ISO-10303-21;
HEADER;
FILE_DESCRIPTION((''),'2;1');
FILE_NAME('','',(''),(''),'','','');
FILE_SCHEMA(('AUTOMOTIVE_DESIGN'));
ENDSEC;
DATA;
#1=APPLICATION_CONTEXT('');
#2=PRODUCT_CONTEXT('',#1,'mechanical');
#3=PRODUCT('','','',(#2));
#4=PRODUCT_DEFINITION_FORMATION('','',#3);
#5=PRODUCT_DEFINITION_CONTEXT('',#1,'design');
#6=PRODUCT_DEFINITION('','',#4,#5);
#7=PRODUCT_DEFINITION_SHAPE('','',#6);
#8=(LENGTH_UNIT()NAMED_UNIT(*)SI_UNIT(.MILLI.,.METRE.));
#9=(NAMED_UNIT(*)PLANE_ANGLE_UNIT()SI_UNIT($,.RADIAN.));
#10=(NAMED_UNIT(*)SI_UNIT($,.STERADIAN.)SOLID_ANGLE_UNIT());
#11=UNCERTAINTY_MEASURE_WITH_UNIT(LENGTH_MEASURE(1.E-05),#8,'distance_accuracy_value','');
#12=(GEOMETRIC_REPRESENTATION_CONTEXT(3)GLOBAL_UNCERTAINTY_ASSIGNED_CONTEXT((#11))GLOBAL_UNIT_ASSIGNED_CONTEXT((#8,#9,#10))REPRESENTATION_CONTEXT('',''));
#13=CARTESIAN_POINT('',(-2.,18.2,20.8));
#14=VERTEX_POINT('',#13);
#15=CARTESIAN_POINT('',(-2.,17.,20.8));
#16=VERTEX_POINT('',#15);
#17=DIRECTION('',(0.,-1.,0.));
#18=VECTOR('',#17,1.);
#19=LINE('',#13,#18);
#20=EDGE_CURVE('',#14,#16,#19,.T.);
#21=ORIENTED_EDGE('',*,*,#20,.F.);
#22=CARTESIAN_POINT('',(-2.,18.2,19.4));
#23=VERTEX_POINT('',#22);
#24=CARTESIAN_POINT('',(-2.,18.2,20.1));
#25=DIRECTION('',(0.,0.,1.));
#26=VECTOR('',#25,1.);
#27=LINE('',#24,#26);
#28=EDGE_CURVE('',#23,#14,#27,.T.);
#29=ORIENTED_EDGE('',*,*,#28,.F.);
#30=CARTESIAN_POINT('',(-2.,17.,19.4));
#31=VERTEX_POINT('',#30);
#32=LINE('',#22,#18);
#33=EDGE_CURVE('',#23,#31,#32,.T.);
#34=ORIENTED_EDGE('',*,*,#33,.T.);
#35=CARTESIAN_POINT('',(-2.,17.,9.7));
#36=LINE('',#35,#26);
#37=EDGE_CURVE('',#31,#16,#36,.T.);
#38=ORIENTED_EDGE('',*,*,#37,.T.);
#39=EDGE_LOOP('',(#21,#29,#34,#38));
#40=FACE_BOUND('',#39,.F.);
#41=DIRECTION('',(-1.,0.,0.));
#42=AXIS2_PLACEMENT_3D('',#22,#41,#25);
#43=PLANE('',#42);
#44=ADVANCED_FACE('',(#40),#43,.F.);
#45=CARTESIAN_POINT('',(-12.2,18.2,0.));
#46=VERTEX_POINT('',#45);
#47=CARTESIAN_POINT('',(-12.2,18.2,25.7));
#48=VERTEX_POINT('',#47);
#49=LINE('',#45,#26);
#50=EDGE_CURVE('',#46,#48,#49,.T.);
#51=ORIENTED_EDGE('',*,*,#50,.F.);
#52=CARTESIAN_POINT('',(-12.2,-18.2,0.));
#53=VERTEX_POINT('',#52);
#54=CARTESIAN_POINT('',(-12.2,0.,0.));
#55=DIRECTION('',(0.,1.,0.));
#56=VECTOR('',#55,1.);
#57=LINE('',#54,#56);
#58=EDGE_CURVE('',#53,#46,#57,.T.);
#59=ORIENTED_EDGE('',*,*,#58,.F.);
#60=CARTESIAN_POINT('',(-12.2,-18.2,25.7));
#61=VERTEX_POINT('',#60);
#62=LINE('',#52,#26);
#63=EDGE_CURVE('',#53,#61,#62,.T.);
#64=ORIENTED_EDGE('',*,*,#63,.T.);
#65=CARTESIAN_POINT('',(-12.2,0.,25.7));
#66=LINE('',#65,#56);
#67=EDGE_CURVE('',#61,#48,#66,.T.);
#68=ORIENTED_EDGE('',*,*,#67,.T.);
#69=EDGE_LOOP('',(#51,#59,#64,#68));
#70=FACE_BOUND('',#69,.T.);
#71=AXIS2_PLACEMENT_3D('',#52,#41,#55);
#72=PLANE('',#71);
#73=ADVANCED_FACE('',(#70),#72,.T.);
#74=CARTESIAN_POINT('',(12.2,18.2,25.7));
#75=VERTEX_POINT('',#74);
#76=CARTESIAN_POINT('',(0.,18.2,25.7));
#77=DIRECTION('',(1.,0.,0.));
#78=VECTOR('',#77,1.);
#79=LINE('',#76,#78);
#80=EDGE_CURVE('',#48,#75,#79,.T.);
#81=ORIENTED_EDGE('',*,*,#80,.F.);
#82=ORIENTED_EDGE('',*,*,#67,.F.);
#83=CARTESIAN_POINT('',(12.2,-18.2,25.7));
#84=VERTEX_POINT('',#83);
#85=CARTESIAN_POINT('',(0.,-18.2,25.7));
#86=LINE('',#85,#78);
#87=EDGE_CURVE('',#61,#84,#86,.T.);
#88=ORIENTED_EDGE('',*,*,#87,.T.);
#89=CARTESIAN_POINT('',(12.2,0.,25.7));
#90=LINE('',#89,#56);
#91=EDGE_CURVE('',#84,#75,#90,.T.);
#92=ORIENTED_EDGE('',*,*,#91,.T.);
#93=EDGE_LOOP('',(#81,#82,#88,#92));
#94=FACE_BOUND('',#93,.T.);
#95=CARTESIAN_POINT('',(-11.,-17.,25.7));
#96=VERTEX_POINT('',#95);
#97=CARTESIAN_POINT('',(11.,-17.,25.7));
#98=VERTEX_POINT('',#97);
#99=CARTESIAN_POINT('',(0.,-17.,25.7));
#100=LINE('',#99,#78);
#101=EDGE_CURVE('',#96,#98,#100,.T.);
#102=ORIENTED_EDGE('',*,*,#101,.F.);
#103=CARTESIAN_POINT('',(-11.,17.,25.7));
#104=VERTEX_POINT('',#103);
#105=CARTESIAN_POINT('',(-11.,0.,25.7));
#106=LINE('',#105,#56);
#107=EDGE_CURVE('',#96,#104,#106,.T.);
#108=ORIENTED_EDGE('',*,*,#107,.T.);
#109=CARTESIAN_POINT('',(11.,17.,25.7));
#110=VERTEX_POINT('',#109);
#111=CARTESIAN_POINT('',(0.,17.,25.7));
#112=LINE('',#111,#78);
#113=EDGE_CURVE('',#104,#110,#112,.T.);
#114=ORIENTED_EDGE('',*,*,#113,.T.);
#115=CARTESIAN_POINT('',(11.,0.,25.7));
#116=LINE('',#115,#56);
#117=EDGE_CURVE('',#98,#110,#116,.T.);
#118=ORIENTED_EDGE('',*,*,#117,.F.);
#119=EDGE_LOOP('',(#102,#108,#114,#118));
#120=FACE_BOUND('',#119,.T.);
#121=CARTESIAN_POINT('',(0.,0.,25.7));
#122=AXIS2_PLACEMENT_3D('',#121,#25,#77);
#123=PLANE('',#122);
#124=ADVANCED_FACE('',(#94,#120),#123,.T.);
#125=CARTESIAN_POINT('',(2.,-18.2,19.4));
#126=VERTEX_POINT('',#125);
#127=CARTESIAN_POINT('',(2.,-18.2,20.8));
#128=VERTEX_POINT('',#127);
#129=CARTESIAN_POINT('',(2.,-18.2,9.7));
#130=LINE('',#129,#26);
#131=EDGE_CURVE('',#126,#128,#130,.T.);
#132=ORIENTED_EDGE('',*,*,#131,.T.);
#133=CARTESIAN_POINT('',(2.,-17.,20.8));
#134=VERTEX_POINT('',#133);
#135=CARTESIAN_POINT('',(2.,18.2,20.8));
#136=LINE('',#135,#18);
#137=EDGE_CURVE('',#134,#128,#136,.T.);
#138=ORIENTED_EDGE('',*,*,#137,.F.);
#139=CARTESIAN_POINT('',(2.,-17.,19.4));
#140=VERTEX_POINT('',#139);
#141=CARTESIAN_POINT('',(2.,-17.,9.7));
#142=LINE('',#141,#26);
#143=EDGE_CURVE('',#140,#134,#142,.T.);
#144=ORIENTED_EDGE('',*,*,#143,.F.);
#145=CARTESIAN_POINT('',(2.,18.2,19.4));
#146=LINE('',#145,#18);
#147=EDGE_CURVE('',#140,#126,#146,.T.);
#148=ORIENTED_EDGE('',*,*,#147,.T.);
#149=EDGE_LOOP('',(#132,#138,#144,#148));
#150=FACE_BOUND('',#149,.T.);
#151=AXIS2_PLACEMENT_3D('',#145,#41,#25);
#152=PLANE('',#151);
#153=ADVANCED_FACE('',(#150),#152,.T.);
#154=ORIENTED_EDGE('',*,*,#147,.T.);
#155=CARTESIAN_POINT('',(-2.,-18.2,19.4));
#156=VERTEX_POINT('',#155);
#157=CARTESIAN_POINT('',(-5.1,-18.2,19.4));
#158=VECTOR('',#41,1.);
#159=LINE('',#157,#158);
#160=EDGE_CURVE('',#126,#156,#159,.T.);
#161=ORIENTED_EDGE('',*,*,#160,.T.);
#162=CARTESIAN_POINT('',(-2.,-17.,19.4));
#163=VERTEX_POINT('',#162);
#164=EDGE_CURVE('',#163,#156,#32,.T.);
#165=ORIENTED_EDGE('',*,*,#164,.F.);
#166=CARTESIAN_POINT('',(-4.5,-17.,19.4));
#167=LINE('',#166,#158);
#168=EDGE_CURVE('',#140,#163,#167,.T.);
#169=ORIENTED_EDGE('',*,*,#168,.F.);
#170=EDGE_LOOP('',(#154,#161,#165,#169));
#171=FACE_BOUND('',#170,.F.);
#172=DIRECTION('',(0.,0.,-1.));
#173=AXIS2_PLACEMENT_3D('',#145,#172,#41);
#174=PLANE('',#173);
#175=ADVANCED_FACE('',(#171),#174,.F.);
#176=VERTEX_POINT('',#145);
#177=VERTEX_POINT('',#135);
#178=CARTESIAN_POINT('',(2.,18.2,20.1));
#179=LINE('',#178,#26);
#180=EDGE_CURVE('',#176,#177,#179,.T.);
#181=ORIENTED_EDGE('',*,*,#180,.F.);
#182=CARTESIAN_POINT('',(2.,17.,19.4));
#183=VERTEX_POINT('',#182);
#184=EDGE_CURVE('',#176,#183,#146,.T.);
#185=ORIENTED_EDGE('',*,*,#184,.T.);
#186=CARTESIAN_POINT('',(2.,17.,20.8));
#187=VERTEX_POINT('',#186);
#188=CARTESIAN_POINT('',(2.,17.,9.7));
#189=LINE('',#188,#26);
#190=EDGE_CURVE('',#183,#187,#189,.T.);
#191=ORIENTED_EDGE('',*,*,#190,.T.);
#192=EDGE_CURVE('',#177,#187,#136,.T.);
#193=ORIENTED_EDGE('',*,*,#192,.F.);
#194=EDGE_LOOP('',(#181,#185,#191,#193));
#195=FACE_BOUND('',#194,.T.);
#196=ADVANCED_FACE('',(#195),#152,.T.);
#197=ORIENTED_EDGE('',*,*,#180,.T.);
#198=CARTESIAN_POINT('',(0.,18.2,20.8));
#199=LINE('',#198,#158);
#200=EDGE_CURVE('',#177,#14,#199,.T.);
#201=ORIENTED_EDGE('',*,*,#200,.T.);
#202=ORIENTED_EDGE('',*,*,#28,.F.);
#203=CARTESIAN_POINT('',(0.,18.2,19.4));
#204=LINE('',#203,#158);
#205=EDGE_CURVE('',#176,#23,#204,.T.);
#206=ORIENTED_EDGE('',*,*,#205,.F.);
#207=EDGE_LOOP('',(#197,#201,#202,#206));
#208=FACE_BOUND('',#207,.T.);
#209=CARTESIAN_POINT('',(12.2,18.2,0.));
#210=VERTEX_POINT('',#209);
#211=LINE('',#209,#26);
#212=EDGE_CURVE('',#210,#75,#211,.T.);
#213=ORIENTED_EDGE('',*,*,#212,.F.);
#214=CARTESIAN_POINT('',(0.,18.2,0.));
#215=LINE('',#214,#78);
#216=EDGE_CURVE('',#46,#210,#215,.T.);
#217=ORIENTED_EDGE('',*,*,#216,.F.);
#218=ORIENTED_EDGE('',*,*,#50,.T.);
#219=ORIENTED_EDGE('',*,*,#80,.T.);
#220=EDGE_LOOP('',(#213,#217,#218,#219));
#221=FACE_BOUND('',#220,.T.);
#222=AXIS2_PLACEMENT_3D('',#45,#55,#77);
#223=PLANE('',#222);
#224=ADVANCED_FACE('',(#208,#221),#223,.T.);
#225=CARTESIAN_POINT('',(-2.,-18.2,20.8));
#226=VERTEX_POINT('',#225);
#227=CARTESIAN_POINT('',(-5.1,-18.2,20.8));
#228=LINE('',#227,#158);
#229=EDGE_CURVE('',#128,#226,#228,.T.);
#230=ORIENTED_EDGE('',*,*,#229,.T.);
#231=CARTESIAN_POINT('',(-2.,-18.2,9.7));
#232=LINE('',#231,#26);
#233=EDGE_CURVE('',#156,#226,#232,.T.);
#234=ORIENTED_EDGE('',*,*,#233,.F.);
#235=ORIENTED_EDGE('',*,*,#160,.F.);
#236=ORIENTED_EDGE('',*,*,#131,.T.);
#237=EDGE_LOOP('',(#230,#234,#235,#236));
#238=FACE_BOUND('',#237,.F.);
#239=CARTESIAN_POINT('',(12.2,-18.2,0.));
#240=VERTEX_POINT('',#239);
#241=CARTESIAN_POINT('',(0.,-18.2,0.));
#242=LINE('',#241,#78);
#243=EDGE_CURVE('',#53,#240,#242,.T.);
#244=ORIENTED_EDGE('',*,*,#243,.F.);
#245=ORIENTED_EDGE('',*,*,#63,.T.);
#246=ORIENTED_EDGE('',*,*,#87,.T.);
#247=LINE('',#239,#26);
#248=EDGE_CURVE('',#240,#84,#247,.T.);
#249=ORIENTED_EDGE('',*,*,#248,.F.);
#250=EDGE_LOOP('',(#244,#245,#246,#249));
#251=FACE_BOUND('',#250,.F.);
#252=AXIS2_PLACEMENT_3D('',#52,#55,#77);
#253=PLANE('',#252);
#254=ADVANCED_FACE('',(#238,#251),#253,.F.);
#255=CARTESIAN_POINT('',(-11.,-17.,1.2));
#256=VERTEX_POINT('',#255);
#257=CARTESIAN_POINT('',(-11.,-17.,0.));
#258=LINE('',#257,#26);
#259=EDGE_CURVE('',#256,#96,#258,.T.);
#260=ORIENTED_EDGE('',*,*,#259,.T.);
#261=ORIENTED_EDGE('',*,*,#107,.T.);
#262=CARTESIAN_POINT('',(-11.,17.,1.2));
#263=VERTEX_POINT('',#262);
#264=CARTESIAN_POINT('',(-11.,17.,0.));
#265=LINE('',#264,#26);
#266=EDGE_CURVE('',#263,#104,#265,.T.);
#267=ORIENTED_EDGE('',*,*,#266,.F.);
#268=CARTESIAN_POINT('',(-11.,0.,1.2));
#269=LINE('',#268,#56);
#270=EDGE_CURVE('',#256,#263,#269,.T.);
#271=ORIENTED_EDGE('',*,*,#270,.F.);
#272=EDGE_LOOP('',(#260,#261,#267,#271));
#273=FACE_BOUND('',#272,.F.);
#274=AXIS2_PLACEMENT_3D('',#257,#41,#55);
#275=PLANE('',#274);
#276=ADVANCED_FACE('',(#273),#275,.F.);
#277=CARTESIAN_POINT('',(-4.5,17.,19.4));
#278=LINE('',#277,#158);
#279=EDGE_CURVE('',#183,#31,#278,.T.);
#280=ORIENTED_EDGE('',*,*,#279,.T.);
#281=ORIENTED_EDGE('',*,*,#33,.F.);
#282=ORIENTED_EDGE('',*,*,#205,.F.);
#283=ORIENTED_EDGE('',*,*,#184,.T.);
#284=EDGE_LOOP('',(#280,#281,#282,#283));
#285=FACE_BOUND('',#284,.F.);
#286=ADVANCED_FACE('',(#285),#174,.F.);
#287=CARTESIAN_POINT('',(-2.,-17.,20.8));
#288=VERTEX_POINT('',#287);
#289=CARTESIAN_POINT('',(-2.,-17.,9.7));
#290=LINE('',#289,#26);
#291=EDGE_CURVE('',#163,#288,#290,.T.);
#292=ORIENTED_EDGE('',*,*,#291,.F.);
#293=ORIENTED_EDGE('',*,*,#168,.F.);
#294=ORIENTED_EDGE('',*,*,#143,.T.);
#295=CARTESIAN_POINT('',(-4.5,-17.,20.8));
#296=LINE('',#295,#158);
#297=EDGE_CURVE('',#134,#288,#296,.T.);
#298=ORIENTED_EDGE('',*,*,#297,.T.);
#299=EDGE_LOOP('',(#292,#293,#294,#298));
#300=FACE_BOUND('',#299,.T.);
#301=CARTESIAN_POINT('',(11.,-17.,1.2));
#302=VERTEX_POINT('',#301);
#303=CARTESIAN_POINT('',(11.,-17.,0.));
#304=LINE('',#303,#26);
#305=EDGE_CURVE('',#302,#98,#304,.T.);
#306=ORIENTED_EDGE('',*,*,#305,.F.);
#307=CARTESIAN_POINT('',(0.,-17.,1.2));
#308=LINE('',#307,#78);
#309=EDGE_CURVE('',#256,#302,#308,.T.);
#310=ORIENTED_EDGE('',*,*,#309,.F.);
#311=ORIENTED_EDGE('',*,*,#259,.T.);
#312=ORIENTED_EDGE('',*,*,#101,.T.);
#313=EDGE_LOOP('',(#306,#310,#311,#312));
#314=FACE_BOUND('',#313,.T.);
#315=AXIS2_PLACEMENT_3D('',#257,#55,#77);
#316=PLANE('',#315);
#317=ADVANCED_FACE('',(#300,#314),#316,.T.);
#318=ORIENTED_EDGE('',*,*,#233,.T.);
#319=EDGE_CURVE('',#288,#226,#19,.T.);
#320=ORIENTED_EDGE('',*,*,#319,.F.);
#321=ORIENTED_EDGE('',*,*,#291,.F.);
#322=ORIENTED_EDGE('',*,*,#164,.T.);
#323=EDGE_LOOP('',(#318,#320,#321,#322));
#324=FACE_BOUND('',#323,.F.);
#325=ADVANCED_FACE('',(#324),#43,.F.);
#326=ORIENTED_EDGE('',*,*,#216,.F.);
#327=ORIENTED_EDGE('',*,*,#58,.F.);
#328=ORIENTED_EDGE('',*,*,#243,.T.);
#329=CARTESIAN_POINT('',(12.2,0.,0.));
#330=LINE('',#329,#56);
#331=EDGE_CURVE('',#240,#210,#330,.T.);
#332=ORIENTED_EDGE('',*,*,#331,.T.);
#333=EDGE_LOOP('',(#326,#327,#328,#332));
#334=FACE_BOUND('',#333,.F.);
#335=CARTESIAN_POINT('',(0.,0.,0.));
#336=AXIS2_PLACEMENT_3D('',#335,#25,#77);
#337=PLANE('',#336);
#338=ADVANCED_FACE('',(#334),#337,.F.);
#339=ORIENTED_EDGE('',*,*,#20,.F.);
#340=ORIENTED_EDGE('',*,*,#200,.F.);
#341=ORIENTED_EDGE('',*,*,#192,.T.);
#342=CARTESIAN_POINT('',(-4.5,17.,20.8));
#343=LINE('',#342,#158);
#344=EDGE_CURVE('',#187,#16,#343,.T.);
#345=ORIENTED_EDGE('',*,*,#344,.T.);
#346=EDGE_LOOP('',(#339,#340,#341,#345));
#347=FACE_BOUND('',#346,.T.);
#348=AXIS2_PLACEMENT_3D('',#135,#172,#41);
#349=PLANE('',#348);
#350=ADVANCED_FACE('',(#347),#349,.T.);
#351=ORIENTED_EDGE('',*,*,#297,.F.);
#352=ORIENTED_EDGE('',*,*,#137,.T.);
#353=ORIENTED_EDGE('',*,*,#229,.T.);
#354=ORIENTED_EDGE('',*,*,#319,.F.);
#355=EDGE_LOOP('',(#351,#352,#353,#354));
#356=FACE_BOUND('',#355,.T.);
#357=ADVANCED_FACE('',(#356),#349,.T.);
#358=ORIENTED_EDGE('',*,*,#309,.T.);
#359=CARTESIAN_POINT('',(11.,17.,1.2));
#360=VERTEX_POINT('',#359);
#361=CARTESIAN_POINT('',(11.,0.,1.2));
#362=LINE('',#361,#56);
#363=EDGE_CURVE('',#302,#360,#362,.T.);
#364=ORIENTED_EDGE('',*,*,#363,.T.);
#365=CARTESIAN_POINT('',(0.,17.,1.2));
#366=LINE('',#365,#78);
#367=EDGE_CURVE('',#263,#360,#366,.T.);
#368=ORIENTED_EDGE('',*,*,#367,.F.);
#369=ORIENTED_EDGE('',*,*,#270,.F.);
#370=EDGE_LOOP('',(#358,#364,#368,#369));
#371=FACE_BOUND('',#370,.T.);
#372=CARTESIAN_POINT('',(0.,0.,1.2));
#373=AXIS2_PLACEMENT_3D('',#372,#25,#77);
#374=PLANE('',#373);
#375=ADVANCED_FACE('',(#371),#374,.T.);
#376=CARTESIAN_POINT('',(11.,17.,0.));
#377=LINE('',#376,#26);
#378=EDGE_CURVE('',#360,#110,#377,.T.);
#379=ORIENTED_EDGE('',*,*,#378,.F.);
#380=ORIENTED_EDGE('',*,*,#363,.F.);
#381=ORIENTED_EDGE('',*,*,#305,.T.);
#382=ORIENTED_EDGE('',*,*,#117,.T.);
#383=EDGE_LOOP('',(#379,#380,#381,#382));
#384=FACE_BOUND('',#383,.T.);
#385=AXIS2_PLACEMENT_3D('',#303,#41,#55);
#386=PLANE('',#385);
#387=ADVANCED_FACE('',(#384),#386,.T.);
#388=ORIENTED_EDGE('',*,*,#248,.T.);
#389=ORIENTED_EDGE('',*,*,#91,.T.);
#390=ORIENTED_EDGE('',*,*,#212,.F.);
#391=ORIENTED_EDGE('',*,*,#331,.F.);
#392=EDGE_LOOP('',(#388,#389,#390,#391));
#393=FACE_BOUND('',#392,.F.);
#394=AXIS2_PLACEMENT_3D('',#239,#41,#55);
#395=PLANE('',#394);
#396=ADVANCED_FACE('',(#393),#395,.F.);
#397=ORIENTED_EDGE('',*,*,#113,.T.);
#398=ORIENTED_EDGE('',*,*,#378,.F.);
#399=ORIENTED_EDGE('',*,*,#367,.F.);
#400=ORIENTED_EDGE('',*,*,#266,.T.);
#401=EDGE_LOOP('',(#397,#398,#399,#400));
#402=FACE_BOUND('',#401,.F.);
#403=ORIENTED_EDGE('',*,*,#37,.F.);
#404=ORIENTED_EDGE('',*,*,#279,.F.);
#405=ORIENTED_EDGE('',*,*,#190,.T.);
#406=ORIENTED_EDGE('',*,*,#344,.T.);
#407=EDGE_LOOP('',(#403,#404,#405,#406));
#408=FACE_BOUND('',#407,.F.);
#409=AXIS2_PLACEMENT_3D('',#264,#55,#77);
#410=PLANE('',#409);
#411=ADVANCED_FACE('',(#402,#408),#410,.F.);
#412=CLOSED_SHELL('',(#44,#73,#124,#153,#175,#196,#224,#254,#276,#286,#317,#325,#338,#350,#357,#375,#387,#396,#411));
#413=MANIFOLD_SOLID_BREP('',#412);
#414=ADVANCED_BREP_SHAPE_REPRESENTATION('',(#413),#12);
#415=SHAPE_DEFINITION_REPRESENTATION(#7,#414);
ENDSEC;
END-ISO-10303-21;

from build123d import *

# Parameters (mm, degrees)
F0_W     = 22
F0_H     = 34
F1_DEPTH = 1.2
F0_W_2   = 24.4
F0_H_2   = 36.4
F2_DEPTH = 25.7
F3_W     = 4
F3_H     = 1.4
F4_DEPTH = 36.401


with BuildPart() as f1:
    # F0 (on Top) → F1 (new body)
    with BuildSketch(Plane.XY):
        Rectangle(F0_W, F0_H)
    extrude(amount=F1_DEPTH)

    # F0 (on Top) → F2 (join)
    with BuildSketch(Plane.XY):
        Rectangle(F0_W_2, F0_H_2)
        Rectangle(F0_W, F0_H, mode=Mode.SUBTRACT)
    extrude(amount=F2_DEPTH)

    # F3 (on face) → F4 (cut, through all)
    with BuildSketch(Plane(origin=(0, 18.2, 0), x_dir=(-1, 0, 0), z_dir=(0, 1, 0))):
        with Locations((0, 20.1)):
            Rectangle(F3_W, F3_H)
    extrude(amount=-F4_DEPTH, mode=Mode.SUBTRACT)


solid = f1.part
